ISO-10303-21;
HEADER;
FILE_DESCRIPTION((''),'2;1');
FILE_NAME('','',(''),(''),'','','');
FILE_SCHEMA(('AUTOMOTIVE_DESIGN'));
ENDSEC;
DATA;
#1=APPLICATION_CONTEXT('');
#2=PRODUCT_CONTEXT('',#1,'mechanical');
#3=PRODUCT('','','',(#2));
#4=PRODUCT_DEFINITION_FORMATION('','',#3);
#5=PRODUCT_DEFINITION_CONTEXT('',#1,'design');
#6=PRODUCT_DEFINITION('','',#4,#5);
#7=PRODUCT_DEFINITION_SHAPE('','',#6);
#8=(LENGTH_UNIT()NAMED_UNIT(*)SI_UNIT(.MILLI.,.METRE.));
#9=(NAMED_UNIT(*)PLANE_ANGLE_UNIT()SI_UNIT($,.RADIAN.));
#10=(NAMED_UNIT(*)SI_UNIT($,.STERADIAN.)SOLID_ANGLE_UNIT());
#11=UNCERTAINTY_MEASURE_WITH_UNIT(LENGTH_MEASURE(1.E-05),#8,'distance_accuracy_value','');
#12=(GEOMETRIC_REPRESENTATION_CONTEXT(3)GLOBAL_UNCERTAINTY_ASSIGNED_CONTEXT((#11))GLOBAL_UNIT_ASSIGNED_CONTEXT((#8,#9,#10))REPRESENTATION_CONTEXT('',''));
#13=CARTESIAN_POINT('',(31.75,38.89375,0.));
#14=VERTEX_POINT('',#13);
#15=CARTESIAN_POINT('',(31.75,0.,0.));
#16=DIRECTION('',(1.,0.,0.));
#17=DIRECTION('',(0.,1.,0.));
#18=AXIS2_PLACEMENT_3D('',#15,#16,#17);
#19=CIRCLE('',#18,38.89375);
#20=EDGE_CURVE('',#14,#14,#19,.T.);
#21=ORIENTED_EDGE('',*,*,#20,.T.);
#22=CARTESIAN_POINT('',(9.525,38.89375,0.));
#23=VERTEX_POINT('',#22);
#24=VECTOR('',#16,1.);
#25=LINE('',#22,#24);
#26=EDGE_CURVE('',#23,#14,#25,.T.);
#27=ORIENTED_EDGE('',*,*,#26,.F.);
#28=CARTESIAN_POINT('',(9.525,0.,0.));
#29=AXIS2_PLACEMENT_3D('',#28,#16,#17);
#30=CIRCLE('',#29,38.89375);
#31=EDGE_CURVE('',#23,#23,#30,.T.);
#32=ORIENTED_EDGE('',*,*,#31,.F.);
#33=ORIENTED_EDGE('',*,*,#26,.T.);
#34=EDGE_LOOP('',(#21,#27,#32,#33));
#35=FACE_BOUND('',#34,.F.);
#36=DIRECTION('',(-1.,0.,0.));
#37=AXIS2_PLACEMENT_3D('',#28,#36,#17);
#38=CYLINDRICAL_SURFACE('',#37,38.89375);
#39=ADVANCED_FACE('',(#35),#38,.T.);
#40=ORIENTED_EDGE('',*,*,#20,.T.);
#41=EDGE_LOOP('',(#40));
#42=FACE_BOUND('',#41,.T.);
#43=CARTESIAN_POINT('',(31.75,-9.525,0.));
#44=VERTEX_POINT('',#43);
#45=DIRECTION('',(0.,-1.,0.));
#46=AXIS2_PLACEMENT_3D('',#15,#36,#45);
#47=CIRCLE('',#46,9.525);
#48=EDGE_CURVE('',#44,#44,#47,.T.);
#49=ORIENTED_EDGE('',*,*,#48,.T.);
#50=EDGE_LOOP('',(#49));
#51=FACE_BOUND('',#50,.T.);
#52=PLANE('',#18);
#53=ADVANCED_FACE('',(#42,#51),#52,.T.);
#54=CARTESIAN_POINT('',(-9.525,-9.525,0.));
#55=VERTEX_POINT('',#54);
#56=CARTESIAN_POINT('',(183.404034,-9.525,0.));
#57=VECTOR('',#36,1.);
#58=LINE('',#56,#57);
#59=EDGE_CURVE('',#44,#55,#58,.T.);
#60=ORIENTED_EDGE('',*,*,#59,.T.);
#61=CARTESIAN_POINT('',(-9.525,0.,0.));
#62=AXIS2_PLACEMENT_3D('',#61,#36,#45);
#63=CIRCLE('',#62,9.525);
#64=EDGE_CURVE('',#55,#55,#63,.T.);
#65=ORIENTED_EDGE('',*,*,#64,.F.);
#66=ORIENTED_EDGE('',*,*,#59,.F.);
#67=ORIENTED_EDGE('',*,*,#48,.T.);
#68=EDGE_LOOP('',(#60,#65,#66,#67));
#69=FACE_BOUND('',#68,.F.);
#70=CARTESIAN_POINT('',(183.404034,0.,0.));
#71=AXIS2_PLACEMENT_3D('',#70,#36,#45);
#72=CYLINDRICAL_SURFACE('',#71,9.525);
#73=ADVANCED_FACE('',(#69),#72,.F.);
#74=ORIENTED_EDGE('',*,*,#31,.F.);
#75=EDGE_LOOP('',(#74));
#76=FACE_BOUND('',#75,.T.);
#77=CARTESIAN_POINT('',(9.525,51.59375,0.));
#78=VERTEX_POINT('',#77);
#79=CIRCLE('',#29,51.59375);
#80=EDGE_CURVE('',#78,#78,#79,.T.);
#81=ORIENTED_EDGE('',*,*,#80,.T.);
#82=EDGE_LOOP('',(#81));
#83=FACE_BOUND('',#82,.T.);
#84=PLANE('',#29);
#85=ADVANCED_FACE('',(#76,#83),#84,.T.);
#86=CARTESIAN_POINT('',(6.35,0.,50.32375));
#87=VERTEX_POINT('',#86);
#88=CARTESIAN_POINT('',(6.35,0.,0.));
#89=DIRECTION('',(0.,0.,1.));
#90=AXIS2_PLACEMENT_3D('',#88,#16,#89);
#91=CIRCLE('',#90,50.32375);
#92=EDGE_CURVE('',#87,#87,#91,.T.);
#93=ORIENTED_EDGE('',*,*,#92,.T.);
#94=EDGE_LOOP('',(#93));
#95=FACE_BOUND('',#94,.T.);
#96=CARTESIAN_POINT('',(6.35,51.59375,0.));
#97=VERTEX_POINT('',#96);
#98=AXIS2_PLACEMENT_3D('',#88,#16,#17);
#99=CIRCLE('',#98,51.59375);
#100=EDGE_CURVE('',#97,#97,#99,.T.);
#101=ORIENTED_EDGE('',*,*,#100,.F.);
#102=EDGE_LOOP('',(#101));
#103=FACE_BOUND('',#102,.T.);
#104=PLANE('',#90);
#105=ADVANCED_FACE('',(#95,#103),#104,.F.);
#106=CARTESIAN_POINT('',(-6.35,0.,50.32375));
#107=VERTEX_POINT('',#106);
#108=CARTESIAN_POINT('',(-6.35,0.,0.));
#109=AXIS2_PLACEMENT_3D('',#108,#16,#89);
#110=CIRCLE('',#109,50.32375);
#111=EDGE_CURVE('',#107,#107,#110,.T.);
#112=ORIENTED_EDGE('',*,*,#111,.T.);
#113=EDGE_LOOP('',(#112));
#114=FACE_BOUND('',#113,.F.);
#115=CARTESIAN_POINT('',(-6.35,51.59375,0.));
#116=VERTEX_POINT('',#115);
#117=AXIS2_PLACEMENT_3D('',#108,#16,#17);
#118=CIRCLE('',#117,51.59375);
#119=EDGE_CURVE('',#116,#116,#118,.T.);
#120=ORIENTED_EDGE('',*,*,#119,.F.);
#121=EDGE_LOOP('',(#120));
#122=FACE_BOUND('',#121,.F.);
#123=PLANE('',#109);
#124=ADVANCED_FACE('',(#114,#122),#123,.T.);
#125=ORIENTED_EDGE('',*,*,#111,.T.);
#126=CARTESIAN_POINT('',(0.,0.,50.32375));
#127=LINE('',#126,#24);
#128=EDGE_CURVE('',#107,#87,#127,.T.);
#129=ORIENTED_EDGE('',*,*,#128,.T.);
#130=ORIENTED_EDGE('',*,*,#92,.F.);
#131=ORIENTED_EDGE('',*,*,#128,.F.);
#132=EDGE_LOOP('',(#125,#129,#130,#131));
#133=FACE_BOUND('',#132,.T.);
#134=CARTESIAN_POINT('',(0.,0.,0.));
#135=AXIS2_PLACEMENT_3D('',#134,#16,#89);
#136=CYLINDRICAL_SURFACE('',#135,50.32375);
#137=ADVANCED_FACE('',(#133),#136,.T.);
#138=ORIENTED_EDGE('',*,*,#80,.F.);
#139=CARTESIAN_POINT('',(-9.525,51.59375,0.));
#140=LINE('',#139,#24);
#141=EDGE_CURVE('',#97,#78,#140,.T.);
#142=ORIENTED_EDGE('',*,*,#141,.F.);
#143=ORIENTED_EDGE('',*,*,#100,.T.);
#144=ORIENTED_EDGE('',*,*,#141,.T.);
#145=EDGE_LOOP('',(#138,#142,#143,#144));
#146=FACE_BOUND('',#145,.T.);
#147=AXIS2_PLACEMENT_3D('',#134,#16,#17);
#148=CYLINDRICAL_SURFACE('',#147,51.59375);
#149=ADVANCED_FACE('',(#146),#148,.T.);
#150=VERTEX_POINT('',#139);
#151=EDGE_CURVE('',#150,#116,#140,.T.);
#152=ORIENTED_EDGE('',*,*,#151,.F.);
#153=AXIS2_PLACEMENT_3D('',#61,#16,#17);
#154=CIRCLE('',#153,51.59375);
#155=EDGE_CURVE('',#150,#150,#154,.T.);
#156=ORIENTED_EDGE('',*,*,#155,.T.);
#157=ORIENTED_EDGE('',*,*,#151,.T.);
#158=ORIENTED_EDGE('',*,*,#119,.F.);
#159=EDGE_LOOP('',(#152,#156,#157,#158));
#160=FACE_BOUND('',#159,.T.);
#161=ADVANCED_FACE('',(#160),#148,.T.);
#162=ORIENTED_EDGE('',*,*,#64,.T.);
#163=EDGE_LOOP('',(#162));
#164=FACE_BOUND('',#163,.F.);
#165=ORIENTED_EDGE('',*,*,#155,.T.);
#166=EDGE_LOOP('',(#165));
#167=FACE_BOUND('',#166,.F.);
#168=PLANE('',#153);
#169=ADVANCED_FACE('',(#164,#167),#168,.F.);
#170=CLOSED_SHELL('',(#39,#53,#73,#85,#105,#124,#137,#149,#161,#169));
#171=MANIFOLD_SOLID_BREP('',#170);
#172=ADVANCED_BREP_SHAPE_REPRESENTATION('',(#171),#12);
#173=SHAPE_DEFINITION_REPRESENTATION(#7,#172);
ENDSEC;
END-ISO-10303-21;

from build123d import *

# Parameters (mm, degrees)
F0_R     = 51.59375
F1_DEPTH = 9.525
F2_R     = 38.89375
F3_DEPTH = 22.225
F4_W     = 12.7
F4_H     = 2.54
F7_D     = 19.05


with BuildPart() as f1:
    # F0 (on Right) → F1 (new body, symmetric)
    with BuildSketch(Plane.YZ):
        Circle(F0_R)
    extrude(amount=F1_DEPTH, both=True)

    # F2 (on face) → F3 (join)
    with BuildSketch(Plane.YZ.offset(9.525)):
        Circle(F2_R)
    extrude(amount=F3_DEPTH)

    # F4 (on Front) → F5 (revolve, cut)
    with BuildSketch(Plane.XZ):
        with Locations((0, 51.59375)):
            Rectangle(F4_W, F4_H)
    revolve(axis=Axis((1.883045, 0, 0), (1, 0, 0)), mode=Mode.SUBTRACT)

    # F7 (through all)
    with Locations(Plane.YZ.offset(31.75)):
        with Locations((0, 0)):
            Hole(F7_D / 2)


solid = f1.part
